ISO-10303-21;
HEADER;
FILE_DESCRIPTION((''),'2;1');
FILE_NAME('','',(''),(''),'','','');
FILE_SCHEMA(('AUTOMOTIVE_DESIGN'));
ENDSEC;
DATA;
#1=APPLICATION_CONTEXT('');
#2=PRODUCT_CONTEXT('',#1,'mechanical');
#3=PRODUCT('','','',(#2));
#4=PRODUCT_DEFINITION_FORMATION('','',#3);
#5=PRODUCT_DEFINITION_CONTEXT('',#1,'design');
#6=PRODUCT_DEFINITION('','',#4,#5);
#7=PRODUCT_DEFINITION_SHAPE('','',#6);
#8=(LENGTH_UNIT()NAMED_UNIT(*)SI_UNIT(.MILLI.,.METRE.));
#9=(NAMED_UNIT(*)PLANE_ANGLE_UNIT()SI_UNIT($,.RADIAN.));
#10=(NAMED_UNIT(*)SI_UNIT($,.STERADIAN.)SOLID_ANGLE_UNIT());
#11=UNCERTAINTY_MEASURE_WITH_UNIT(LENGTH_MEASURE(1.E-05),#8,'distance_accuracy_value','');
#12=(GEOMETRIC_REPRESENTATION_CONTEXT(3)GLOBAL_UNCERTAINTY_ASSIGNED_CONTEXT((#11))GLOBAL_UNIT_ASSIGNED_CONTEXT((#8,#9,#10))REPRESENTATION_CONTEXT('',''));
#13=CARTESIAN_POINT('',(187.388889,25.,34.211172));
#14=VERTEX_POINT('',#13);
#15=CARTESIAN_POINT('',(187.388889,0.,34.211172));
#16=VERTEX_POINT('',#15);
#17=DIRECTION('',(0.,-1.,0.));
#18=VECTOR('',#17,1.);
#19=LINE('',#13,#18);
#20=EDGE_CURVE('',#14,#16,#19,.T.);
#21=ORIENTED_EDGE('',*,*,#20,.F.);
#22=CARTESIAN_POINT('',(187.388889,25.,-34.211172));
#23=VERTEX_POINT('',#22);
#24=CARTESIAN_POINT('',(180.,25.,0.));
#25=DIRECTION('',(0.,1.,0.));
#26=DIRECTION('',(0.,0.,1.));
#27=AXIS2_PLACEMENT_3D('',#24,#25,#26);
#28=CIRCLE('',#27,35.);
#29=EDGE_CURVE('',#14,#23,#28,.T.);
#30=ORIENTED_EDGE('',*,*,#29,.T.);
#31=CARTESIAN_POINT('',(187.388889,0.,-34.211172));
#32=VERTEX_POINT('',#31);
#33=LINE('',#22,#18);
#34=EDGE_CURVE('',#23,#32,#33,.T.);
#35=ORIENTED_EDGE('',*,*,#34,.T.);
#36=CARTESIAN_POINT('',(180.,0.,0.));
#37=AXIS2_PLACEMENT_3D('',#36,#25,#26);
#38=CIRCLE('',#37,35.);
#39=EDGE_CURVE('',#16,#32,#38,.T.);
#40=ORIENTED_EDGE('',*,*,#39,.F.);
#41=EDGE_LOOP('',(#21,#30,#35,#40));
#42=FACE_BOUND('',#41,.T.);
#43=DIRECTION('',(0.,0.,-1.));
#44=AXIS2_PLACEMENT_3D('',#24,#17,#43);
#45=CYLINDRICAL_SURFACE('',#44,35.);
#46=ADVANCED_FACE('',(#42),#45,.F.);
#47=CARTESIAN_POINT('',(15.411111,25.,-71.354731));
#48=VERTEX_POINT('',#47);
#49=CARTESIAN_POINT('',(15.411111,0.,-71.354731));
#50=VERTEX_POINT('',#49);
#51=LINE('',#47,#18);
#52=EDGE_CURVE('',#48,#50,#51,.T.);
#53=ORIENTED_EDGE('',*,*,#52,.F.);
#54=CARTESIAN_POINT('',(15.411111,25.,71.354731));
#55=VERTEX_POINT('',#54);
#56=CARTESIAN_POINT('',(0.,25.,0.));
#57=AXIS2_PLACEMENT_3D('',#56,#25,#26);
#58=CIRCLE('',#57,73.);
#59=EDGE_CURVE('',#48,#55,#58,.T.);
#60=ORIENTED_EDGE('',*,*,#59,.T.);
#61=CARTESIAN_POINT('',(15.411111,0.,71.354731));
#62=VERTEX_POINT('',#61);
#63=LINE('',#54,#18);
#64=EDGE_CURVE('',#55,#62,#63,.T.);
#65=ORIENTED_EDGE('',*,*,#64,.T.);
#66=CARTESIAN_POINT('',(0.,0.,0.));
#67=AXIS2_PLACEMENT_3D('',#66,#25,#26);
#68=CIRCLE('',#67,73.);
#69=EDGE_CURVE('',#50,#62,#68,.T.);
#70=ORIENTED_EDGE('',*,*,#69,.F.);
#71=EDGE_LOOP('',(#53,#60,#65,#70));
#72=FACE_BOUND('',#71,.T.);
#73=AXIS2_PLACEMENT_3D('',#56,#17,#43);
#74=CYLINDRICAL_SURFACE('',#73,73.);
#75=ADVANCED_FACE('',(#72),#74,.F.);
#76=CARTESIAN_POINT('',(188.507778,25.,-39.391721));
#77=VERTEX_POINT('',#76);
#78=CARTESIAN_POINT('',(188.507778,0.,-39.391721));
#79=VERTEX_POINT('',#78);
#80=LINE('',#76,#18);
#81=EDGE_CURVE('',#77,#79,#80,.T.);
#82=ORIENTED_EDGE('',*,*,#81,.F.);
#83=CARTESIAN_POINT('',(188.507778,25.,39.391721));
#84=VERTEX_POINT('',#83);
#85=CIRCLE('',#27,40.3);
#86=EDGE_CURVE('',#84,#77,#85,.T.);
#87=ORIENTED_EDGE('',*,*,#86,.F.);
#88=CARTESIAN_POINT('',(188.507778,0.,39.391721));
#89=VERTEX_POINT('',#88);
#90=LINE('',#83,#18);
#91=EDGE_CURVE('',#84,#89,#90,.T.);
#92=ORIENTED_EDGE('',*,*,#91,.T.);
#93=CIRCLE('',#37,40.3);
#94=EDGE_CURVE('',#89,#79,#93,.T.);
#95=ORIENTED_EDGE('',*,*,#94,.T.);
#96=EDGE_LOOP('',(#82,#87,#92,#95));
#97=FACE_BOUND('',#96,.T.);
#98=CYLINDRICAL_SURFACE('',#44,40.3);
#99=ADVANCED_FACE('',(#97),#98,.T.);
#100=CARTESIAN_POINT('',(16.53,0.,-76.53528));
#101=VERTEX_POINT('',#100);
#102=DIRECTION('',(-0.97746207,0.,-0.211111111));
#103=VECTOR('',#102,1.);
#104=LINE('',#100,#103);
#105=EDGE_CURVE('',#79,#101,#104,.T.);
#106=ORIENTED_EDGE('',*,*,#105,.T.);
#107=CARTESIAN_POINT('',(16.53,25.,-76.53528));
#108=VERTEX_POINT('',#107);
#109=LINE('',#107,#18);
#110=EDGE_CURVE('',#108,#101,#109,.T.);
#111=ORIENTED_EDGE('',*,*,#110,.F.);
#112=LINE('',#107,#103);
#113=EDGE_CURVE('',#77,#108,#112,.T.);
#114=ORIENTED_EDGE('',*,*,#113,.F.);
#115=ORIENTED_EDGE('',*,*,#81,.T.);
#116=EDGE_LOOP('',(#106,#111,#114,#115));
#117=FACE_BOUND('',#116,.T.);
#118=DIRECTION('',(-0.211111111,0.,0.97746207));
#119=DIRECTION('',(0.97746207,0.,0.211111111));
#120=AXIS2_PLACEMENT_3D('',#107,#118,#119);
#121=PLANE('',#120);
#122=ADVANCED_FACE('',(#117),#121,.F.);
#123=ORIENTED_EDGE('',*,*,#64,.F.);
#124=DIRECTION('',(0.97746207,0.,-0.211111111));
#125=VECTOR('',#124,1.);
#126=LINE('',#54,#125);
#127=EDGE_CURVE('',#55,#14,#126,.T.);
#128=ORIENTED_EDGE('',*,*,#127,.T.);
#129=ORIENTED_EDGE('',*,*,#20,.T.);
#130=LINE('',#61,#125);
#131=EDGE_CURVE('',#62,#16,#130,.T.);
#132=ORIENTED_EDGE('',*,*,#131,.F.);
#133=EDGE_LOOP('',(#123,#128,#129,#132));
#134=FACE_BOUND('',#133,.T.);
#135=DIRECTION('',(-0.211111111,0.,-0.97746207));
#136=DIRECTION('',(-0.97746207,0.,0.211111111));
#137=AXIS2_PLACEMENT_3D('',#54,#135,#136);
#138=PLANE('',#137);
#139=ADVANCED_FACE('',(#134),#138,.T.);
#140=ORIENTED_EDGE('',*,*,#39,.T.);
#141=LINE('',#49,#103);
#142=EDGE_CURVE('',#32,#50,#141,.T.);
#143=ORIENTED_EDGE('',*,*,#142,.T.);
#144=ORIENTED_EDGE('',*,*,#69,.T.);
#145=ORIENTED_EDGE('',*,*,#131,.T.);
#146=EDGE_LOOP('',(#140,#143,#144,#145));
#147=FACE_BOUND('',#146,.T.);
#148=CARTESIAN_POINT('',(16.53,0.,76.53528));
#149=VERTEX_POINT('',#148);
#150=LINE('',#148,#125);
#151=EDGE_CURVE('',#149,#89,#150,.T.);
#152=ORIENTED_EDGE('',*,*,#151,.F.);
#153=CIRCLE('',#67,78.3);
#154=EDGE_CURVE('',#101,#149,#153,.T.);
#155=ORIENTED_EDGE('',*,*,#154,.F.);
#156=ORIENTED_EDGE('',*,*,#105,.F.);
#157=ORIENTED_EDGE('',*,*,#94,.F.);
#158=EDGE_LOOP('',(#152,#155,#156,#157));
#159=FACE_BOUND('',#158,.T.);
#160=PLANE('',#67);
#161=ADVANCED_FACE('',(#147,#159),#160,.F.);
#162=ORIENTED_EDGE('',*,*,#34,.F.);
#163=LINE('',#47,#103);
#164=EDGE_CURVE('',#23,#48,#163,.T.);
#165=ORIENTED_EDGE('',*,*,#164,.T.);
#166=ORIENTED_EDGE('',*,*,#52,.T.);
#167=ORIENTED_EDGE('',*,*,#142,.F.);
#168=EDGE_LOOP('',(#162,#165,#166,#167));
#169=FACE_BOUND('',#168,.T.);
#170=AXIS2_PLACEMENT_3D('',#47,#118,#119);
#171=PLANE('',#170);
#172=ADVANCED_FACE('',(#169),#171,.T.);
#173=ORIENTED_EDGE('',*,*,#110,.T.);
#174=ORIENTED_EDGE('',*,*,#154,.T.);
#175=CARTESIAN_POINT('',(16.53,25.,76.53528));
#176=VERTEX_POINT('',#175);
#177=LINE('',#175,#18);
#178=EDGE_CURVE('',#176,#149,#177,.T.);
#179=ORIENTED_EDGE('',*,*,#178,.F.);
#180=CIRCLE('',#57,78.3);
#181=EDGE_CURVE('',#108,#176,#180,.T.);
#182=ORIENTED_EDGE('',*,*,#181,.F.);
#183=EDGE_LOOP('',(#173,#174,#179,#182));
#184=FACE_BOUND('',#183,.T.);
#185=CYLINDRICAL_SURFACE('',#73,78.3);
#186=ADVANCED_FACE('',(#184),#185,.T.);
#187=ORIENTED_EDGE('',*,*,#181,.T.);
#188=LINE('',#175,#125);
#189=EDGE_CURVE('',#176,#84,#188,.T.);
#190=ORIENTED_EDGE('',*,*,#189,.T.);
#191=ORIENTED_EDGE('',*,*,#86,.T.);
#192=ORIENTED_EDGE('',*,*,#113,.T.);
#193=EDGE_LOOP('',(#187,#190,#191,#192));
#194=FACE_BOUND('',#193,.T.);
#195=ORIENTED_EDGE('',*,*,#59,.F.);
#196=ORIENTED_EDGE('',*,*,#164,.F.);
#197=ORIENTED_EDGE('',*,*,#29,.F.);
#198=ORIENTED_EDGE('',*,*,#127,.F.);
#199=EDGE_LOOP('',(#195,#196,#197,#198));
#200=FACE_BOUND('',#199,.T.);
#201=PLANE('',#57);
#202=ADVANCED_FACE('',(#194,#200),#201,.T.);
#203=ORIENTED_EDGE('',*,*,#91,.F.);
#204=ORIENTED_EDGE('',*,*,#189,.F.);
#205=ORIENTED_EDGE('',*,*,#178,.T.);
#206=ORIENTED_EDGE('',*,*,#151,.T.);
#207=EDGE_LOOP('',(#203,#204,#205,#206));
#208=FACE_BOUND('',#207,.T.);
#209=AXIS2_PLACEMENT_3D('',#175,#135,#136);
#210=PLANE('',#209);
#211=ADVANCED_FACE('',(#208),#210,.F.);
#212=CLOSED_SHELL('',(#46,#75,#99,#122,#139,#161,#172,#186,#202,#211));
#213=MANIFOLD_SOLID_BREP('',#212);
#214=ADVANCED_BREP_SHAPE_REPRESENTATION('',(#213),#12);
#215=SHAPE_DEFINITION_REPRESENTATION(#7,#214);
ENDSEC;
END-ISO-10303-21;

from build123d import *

# Parameters (mm, degrees)
BOSS_EXTRUDE1_DEPTH = 25


with BuildPart() as part:
    # Sketch1 → Boss-Extrude1 (new body)
    with BuildSketch(Plane(origin=(0, 0, 0), x_dir=(1, 0, 0), z_dir=(0, 1, 0))):
        with BuildLine():
            Line((16.53, 76.5352801), (188.507777778, 39.391721431))
            ThreePointArc((188.507777778, 39.391721431), (220.3, 0), (188.507777778, -39.391721431))
            Line((188.507777778, -39.391721431), (16.53, -76.5352801))
            ThreePointArc((16.53, -76.5352801), (-78.3, 0), (16.53, 76.5352801))
        make_face()
        with BuildLine():
            Line((15.411111111, -71.354731128), (187.388888889, -34.211172459))
            ThreePointArc((187.388888889, -34.211172459), (215, 0), (187.388888889, 34.211172459))
            Line((187.388888889, 34.211172459), (15.411111111, 71.354731128))
            ThreePointArc((15.411111111, 71.354731128), (-73, 0), (15.411111111, -71.354731128))
        make_face(mode=Mode.SUBTRACT)
    extrude(amount=BOSS_EXTRUDE1_DEPTH)


solid = part.part
